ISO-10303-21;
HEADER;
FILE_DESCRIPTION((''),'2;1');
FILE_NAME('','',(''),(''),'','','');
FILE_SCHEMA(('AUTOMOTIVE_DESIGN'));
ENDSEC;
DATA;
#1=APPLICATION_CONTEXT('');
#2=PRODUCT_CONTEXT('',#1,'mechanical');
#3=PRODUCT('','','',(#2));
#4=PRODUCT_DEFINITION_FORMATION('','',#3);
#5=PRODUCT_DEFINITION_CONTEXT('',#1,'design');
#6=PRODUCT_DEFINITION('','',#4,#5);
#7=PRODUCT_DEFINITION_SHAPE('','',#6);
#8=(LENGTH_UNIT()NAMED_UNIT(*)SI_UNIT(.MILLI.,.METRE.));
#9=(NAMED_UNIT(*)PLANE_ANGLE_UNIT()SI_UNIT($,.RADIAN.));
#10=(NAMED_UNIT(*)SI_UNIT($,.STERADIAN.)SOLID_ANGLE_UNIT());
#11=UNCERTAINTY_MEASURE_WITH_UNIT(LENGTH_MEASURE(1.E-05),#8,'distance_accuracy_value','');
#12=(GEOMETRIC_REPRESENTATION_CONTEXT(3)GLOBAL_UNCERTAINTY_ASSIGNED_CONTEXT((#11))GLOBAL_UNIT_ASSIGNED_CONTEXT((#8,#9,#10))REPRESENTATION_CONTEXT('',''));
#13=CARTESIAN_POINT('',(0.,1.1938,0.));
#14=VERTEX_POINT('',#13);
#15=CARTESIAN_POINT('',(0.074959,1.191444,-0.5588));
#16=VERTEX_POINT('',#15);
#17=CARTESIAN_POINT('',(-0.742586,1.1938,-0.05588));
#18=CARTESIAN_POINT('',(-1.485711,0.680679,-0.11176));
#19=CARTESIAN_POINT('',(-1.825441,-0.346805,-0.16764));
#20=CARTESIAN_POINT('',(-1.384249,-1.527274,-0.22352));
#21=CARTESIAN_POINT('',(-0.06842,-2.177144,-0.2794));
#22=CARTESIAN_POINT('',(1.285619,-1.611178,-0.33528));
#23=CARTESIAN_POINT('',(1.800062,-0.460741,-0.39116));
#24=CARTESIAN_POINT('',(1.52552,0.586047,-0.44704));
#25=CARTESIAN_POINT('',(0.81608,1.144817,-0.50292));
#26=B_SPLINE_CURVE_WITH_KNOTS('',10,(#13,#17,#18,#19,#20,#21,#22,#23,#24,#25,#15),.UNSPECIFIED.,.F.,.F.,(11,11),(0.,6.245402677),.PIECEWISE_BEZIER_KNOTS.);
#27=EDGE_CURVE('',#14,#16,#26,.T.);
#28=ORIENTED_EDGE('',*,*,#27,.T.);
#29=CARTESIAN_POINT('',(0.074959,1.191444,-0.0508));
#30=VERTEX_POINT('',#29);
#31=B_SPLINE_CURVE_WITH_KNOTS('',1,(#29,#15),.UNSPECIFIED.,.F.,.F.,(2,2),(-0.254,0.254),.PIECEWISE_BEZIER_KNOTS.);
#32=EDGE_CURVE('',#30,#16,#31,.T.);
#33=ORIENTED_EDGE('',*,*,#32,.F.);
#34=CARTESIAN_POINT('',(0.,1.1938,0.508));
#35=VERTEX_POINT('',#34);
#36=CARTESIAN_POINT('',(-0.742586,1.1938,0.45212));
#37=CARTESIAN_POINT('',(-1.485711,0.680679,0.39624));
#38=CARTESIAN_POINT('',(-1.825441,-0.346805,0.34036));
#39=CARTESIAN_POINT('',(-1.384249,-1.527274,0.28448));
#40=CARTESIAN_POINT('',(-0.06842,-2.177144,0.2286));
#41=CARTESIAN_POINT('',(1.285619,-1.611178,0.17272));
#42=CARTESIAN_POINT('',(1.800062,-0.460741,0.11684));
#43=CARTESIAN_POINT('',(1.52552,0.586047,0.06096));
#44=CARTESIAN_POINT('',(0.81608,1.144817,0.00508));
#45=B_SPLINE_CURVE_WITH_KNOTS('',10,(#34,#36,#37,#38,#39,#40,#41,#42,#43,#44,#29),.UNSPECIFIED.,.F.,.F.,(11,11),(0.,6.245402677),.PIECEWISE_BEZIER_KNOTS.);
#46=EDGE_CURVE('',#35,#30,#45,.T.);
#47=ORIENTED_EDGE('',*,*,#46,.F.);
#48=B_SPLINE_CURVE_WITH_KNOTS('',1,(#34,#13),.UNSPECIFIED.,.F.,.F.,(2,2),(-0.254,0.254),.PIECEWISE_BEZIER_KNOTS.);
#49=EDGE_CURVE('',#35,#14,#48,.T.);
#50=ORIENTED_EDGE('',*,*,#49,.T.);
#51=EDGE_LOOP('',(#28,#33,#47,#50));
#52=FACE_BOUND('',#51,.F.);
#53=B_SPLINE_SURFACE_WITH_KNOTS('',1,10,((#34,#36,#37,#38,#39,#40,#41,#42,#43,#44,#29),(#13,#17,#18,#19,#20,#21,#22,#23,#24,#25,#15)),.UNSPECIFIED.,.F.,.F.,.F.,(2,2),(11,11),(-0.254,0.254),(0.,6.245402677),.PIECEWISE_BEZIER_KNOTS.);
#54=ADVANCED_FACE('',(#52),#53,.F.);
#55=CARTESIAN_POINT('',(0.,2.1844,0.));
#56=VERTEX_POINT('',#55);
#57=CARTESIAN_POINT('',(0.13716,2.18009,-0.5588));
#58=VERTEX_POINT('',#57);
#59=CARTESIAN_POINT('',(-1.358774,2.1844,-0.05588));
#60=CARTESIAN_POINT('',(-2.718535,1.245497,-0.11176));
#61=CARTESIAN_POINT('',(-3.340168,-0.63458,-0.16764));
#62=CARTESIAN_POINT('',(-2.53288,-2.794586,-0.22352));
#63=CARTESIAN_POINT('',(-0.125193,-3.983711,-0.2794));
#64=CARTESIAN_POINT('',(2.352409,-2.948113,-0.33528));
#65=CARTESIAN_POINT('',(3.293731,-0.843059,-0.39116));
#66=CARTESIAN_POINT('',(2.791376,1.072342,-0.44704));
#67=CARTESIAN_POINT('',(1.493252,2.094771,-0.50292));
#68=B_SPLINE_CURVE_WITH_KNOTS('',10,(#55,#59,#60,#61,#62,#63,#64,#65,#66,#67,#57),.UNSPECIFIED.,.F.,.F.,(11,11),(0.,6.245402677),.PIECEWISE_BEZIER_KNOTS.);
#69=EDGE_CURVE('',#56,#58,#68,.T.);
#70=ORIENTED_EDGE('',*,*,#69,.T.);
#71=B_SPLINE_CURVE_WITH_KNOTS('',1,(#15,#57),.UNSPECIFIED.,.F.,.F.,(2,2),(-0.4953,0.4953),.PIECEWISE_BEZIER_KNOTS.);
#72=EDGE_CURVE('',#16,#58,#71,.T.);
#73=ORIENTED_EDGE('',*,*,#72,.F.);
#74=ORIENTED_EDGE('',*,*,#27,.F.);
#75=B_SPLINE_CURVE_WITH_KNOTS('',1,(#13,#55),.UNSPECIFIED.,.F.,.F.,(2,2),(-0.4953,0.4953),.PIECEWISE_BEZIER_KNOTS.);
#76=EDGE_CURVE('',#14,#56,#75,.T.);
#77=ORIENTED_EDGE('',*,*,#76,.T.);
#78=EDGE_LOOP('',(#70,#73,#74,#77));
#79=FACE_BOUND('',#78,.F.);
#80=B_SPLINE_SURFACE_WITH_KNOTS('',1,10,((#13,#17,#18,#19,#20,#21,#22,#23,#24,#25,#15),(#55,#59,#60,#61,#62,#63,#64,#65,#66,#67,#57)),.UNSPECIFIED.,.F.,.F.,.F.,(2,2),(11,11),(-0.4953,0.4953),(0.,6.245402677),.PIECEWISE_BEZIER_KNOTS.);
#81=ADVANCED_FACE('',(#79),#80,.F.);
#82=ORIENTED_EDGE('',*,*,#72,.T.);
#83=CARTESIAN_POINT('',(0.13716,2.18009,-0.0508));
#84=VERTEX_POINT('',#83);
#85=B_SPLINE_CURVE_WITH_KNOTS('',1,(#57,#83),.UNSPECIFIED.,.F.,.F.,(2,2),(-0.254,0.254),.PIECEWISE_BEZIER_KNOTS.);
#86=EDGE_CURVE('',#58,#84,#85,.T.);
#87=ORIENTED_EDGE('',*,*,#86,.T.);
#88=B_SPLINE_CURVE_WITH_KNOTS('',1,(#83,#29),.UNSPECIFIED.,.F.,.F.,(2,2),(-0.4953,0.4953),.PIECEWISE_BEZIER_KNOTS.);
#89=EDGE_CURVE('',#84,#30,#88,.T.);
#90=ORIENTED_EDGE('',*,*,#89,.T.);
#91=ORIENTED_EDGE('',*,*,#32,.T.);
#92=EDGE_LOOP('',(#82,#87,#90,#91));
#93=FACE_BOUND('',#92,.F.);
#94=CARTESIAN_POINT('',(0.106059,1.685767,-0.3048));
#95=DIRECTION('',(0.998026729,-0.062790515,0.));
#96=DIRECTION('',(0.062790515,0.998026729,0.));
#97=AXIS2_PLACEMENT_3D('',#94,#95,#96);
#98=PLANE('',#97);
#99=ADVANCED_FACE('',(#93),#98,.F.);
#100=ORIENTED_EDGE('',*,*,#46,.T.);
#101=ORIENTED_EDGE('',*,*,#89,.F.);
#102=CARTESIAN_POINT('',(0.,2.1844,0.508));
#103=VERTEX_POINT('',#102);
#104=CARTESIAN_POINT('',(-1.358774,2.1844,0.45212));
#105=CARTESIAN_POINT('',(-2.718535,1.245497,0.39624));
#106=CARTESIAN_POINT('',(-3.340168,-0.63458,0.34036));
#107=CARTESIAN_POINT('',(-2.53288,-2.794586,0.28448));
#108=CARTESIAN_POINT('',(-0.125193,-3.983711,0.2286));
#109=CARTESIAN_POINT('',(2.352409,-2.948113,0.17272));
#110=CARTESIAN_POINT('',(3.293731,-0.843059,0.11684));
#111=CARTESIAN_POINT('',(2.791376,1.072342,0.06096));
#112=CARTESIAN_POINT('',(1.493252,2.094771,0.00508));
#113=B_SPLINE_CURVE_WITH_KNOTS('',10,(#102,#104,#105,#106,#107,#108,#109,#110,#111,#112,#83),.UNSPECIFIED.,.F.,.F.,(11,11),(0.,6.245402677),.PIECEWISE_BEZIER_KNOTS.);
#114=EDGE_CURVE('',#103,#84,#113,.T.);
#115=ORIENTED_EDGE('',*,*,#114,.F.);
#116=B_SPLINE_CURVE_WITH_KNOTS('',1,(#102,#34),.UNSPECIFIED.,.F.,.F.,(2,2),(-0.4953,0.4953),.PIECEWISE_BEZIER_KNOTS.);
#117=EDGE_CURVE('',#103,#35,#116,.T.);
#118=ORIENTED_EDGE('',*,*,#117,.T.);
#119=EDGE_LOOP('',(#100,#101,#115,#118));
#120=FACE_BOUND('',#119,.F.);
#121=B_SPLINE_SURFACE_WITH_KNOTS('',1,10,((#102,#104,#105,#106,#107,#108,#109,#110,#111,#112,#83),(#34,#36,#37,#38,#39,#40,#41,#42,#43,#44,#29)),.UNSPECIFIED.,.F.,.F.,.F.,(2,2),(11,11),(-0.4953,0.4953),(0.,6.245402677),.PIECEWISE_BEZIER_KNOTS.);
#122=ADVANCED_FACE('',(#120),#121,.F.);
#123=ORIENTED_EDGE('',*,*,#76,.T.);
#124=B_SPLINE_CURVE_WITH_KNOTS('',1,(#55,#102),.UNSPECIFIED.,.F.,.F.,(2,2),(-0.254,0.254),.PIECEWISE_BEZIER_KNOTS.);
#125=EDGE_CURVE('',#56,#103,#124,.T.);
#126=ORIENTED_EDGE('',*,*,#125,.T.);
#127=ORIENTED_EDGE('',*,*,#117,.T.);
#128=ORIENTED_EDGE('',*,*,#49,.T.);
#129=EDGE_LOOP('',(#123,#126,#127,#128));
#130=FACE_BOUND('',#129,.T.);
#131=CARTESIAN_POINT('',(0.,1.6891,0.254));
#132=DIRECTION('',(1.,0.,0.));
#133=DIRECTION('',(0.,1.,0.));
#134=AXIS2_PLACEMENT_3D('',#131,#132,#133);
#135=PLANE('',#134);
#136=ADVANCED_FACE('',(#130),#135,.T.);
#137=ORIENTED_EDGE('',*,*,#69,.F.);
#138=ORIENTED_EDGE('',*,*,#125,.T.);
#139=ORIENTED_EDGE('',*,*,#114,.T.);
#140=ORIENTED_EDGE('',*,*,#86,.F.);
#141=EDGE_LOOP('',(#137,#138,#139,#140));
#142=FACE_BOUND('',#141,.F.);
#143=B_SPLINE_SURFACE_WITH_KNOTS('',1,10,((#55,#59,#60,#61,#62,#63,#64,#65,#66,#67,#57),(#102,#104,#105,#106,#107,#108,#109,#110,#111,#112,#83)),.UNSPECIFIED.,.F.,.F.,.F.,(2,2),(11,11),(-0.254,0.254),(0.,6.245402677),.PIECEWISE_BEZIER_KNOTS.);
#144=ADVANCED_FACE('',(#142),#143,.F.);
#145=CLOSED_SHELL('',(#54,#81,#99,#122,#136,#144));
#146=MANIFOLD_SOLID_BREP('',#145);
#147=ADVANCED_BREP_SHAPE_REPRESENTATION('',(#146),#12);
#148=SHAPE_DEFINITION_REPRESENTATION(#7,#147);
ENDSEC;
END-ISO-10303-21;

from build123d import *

# Parameters (mm, degrees)
SWEEP1_PITCH       = 0.564444444
SWEEP1_HEIGHT      = 0.5588
SWEEP1_RADIUS      = 2.1844
SWEEP1_START_ANGLE = 90
SKETCH2_W          = 0.508
SKETCH2_H          = 0.9906


with BuildPart() as part:
    # Sweep1: sweep along a helix
    with BuildLine() as sweep1_path:
        add(Helix(SWEEP1_PITCH, SWEEP1_HEIGHT, SWEEP1_RADIUS, center=(0, 0, 0), direction=(0, 0, -1), lefthand=True, mode=Mode.PRIVATE).rotate(Axis((0, 0, 0), (0, 0, -1)), SWEEP1_START_ANGLE))
    # Sketch2 → Sweep1 (sweep)
    with BuildSketch(Plane(origin=(0, 0, 0), x_dir=(0, 0, -1), z_dir=(1, 0, 0))):
        with Locations((-0.254, 1.6891)):
            Rectangle(SKETCH2_W, SKETCH2_H)
    sweep(path=sweep1_path.line, is_frenet=True)


solid = part.part
